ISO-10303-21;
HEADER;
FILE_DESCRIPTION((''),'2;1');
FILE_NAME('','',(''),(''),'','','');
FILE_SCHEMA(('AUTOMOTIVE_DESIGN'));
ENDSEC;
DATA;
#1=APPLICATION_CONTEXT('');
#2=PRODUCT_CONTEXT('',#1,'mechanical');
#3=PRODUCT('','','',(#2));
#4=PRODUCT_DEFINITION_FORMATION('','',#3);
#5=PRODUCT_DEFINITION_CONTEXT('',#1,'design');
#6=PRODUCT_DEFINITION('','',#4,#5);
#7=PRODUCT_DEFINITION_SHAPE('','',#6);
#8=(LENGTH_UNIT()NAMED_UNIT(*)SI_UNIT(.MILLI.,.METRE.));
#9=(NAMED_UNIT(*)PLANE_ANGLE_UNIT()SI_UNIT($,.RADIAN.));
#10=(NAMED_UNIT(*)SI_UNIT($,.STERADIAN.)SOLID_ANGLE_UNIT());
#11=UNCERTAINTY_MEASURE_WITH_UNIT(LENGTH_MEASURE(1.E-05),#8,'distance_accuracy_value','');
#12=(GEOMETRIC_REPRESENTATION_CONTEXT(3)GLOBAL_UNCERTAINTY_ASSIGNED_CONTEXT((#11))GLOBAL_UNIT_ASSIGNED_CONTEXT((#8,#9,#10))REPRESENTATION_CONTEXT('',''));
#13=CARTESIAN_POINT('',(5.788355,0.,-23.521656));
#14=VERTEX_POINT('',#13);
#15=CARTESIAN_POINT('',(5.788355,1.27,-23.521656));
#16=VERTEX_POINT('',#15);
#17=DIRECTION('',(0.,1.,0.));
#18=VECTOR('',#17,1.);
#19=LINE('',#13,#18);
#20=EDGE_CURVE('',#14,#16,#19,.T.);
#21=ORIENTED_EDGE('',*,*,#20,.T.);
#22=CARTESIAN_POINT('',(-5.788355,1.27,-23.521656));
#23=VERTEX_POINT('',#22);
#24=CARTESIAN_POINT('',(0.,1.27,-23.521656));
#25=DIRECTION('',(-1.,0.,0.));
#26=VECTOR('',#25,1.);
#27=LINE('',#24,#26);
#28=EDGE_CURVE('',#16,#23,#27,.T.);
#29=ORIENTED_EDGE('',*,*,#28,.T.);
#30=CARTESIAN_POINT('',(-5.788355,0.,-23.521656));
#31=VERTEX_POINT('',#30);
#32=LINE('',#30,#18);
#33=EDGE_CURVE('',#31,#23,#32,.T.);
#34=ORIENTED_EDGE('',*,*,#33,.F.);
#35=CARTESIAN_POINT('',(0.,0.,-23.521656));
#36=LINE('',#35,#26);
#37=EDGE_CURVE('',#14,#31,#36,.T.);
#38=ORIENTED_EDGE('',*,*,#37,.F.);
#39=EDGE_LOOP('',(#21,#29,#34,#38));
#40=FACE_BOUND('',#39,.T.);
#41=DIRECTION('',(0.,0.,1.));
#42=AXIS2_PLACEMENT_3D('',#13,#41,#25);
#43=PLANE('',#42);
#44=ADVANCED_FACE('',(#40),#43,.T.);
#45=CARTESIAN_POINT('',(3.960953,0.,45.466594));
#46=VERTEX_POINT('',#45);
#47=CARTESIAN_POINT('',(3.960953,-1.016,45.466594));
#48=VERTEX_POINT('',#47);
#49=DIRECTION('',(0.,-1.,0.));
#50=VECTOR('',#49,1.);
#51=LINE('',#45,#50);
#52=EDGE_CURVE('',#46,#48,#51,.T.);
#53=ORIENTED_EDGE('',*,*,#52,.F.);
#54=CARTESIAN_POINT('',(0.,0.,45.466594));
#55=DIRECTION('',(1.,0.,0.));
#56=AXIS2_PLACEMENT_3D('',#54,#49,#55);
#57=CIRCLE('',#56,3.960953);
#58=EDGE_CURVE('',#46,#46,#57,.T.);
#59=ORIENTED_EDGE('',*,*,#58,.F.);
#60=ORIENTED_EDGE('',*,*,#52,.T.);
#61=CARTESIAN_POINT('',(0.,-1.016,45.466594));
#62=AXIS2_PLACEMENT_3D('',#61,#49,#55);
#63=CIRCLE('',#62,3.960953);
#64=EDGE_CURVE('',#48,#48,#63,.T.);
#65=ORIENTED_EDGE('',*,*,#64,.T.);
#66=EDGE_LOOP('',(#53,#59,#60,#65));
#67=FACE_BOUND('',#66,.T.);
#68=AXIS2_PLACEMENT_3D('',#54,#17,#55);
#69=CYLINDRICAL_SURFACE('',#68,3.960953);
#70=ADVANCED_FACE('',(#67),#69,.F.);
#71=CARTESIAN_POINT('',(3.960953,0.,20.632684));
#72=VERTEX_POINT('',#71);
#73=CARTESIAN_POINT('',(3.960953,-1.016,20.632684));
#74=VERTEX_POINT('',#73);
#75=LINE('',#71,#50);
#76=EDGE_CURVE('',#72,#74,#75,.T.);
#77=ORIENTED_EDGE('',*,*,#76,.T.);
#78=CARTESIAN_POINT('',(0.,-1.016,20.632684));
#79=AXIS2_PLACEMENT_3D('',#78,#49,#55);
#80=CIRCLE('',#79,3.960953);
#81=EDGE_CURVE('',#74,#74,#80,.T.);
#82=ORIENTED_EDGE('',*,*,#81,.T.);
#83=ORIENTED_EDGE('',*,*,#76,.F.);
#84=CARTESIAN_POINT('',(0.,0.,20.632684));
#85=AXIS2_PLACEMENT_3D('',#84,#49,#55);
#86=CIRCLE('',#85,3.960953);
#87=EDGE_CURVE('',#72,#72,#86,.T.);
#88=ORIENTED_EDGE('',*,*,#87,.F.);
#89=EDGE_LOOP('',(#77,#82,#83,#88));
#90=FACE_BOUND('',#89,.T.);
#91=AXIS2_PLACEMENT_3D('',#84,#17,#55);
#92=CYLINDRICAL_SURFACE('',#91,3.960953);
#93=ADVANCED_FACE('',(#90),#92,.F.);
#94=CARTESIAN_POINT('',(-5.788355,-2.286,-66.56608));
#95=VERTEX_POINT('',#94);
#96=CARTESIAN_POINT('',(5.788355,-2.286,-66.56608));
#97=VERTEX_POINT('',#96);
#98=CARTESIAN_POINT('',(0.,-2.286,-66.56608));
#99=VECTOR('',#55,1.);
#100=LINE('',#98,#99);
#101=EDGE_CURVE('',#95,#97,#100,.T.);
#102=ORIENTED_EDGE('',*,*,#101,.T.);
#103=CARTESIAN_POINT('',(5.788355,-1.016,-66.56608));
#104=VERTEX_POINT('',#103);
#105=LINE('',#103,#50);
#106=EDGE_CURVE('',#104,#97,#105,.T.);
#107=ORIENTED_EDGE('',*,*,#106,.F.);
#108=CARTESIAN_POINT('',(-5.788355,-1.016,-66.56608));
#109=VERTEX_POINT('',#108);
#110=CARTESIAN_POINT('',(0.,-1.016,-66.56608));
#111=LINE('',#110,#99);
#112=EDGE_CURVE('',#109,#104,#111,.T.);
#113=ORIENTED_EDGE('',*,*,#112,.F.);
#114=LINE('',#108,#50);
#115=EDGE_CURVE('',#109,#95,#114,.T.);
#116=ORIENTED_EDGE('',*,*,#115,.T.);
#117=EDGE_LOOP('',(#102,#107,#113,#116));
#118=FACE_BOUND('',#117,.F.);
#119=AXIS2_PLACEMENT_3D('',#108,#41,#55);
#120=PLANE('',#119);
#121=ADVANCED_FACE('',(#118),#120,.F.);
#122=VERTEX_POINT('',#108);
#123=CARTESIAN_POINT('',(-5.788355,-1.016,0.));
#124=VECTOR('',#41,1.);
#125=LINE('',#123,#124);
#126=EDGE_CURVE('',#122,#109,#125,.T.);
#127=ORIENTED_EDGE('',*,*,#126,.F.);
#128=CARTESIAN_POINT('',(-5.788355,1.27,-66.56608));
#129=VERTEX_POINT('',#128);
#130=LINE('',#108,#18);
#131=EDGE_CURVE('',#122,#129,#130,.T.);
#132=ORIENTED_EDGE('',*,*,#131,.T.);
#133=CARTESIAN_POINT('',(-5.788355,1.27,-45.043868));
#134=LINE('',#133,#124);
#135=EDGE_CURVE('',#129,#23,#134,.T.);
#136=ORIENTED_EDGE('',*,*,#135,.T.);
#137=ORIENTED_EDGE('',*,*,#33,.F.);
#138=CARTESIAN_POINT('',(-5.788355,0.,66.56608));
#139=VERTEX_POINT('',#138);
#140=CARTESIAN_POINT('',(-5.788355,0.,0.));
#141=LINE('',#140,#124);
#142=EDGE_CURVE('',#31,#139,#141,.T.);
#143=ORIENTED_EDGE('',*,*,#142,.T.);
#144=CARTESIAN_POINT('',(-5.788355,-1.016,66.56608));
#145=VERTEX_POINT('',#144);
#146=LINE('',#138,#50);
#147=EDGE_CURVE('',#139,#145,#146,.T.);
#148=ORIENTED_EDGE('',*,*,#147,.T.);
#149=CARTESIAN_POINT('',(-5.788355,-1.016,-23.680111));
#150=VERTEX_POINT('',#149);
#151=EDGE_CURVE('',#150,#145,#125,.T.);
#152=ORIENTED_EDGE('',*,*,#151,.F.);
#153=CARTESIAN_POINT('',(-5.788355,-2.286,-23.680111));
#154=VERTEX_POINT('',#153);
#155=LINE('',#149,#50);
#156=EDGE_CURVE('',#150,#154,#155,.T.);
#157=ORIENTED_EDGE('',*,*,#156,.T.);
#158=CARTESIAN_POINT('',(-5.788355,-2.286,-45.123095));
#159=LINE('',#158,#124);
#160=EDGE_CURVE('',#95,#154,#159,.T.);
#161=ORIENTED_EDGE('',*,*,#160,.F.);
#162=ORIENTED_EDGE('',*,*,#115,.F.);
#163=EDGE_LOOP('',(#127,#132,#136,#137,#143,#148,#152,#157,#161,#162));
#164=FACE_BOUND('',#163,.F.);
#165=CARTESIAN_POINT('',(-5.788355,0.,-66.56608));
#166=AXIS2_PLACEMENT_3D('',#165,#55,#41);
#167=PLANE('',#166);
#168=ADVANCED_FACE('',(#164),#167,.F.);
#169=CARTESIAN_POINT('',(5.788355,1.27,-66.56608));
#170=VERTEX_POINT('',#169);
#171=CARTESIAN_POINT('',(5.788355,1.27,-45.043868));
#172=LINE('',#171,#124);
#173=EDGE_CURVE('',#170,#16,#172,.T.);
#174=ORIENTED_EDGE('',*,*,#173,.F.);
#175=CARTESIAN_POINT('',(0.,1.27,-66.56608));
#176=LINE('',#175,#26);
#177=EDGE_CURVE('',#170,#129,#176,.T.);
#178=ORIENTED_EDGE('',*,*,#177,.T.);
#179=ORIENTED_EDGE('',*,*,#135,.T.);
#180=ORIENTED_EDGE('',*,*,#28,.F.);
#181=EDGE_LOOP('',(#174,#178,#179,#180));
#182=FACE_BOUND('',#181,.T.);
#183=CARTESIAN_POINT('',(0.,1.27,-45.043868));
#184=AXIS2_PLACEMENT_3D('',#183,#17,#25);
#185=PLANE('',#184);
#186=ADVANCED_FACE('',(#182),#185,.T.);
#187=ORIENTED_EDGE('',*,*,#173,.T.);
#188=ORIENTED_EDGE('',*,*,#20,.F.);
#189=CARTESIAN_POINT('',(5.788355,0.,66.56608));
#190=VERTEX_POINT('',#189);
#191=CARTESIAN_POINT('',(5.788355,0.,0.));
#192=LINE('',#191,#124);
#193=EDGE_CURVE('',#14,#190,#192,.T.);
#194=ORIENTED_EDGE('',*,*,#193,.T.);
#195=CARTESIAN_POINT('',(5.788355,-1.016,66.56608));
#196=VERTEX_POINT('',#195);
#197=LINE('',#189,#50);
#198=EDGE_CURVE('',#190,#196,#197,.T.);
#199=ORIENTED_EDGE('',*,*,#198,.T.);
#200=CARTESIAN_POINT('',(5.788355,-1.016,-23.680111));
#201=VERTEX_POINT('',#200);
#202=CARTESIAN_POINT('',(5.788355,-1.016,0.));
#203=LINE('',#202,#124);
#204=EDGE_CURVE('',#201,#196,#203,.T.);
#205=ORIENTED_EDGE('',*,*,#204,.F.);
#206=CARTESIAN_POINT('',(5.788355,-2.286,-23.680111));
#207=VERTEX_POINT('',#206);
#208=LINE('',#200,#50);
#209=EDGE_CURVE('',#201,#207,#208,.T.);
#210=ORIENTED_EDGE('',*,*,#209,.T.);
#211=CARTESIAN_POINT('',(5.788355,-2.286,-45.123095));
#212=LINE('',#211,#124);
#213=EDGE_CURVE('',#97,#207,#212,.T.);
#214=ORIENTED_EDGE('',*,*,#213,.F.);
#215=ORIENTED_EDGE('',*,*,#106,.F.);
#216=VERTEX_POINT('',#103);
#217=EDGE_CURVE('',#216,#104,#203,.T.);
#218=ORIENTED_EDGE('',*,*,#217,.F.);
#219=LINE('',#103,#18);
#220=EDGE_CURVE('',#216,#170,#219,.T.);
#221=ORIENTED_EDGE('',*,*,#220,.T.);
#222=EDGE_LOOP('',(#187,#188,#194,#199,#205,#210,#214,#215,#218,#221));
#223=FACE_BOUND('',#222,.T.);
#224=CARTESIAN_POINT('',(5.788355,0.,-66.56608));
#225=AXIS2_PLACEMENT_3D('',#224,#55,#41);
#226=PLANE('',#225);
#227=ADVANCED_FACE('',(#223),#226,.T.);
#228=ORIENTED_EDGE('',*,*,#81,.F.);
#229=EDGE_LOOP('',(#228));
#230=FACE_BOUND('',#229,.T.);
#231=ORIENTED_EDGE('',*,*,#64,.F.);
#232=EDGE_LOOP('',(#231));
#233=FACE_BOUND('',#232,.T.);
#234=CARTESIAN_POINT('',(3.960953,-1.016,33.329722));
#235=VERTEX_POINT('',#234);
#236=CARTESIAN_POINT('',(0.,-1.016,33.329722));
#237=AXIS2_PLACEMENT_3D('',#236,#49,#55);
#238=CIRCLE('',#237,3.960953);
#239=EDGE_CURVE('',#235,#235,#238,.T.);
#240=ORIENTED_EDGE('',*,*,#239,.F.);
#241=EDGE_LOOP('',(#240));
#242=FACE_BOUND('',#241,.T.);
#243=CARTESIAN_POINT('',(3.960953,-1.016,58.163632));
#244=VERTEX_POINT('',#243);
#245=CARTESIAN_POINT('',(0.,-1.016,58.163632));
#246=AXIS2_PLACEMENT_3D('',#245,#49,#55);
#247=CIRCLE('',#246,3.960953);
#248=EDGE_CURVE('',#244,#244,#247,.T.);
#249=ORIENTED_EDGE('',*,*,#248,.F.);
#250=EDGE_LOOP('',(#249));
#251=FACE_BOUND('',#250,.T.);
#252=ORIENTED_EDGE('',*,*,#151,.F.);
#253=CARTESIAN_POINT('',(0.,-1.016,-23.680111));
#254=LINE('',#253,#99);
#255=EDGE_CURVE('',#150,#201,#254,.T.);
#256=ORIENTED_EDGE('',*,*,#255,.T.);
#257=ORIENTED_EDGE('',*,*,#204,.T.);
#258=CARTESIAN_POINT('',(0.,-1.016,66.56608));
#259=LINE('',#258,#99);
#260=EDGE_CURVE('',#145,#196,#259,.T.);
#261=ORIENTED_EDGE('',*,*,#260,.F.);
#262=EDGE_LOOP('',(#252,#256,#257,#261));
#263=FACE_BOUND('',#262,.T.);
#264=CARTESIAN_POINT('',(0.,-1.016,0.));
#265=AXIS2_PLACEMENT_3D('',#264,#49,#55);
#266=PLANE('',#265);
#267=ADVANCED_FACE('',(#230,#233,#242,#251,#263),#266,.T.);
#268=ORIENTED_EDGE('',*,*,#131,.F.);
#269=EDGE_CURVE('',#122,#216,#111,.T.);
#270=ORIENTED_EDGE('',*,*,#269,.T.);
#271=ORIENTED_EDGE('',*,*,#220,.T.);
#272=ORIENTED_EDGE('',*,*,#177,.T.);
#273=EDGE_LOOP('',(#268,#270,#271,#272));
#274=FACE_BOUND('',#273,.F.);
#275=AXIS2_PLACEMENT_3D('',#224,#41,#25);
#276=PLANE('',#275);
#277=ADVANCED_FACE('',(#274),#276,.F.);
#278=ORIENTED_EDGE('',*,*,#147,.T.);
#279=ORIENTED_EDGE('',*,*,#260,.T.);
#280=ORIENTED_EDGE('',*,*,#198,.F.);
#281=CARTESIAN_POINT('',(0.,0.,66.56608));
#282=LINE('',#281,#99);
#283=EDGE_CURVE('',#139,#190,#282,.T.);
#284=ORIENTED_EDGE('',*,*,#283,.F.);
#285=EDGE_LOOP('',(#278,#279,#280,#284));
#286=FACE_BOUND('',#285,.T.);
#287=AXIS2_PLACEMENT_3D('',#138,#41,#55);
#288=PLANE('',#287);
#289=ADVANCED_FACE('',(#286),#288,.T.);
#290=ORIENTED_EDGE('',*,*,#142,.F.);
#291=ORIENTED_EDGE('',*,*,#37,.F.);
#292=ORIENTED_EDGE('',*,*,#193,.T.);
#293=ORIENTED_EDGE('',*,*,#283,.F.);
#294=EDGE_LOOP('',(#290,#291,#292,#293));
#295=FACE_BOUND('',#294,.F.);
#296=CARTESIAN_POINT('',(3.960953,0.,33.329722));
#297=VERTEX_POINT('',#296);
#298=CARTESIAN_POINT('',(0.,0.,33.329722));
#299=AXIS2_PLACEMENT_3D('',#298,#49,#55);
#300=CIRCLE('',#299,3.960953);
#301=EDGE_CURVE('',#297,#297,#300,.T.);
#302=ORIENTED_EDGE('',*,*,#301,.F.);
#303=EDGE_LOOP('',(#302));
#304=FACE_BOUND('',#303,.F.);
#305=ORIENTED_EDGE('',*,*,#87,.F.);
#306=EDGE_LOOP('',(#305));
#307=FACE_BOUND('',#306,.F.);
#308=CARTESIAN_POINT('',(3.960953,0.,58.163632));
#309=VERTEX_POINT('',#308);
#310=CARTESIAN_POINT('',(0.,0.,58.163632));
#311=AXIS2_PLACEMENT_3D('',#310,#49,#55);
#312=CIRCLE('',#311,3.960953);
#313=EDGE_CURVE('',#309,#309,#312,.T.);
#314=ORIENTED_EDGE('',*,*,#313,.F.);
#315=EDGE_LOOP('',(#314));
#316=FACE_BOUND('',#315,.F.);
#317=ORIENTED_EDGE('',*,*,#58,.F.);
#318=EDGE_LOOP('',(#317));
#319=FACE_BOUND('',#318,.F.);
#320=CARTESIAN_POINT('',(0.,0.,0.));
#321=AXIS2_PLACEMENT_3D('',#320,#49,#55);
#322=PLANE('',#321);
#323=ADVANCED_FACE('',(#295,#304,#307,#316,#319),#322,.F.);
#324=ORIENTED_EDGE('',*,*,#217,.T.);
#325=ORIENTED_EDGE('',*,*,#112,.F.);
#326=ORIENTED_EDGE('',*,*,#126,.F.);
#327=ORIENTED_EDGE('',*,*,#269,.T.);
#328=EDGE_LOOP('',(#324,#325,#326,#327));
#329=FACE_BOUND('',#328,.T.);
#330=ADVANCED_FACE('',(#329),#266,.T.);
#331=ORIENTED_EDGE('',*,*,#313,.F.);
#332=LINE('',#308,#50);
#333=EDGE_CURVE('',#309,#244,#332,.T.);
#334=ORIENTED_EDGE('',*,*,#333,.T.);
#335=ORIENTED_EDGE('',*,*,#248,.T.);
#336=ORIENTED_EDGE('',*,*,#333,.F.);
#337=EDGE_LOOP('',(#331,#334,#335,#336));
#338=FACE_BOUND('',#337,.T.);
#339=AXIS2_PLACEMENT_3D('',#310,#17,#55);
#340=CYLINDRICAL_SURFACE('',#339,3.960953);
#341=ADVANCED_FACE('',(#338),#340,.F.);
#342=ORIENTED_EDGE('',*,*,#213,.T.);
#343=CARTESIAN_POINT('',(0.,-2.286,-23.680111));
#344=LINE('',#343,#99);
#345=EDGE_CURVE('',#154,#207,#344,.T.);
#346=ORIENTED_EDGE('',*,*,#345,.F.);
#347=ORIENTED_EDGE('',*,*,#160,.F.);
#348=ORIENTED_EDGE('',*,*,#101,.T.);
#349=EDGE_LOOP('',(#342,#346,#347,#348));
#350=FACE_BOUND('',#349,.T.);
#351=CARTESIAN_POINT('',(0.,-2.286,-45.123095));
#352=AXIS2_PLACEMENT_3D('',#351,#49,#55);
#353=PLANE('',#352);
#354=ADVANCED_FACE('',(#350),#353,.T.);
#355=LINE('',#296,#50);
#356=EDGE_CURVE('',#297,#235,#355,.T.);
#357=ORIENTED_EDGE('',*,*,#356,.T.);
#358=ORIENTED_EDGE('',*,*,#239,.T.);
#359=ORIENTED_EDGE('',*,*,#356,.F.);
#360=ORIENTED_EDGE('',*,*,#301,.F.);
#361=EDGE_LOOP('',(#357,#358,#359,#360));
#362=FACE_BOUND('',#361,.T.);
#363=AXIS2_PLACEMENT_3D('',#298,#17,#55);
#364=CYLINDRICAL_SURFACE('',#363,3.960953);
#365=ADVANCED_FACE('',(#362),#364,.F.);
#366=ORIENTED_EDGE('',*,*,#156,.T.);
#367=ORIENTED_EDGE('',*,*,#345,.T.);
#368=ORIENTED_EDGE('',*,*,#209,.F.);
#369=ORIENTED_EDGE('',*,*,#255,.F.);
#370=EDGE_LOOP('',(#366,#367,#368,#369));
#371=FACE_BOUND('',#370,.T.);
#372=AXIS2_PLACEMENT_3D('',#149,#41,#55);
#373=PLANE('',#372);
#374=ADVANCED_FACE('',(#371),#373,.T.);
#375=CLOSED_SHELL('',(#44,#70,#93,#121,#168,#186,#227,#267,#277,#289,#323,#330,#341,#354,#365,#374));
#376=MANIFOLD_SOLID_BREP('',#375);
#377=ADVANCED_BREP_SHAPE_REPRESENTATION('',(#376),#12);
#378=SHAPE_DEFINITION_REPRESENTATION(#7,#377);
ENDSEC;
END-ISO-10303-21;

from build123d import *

# Parameters (mm, degrees)
F0_W     = 11.57671
F0_H     = 133.13216
F0_R     = 3.960953
F1_DEPTH = 1.016
F2_W     = 11.57671
F2_H     = 42.885969
F3_DEPTH = 1.27
F4_W     = 11.57671
F4_H     = 43.044424
F5_DEPTH = 1.27


with BuildPart() as f1:
    # F0 (on Front) → F1 (new body)
    with BuildSketch(Plane.XZ):
        Rectangle(F0_W, F0_H)
        with Locations((0, 20.632684)):
            Circle(F0_R, mode=Mode.SUBTRACT)
        with Locations((0, 33.329722)):
            Circle(F0_R, mode=Mode.SUBTRACT)
        with Locations((0, 45.466594)):
            Circle(F0_R, mode=Mode.SUBTRACT)
        with Locations((0, 58.163632)):
            Circle(F0_R, mode=Mode.SUBTRACT)
    extrude(amount=F1_DEPTH)

    # F2 (on face) → F3 (join)
    with BuildSketch(Plane.XZ.offset(1.016)):
        with Locations((0, -45.123095)):
            Rectangle(F2_W, F2_H)
    extrude(amount=F3_DEPTH)

    # F4 (on face) → F5 (join)
    with BuildSketch(Plane(origin=(0, 0, 0), x_dir=(-1, 0, 0), z_dir=(0, 1, 0))):
        with Locations((0, -45.043868)):
            Rectangle(F4_W, F4_H)
    extrude(amount=F5_DEPTH)


solid = f1.part
